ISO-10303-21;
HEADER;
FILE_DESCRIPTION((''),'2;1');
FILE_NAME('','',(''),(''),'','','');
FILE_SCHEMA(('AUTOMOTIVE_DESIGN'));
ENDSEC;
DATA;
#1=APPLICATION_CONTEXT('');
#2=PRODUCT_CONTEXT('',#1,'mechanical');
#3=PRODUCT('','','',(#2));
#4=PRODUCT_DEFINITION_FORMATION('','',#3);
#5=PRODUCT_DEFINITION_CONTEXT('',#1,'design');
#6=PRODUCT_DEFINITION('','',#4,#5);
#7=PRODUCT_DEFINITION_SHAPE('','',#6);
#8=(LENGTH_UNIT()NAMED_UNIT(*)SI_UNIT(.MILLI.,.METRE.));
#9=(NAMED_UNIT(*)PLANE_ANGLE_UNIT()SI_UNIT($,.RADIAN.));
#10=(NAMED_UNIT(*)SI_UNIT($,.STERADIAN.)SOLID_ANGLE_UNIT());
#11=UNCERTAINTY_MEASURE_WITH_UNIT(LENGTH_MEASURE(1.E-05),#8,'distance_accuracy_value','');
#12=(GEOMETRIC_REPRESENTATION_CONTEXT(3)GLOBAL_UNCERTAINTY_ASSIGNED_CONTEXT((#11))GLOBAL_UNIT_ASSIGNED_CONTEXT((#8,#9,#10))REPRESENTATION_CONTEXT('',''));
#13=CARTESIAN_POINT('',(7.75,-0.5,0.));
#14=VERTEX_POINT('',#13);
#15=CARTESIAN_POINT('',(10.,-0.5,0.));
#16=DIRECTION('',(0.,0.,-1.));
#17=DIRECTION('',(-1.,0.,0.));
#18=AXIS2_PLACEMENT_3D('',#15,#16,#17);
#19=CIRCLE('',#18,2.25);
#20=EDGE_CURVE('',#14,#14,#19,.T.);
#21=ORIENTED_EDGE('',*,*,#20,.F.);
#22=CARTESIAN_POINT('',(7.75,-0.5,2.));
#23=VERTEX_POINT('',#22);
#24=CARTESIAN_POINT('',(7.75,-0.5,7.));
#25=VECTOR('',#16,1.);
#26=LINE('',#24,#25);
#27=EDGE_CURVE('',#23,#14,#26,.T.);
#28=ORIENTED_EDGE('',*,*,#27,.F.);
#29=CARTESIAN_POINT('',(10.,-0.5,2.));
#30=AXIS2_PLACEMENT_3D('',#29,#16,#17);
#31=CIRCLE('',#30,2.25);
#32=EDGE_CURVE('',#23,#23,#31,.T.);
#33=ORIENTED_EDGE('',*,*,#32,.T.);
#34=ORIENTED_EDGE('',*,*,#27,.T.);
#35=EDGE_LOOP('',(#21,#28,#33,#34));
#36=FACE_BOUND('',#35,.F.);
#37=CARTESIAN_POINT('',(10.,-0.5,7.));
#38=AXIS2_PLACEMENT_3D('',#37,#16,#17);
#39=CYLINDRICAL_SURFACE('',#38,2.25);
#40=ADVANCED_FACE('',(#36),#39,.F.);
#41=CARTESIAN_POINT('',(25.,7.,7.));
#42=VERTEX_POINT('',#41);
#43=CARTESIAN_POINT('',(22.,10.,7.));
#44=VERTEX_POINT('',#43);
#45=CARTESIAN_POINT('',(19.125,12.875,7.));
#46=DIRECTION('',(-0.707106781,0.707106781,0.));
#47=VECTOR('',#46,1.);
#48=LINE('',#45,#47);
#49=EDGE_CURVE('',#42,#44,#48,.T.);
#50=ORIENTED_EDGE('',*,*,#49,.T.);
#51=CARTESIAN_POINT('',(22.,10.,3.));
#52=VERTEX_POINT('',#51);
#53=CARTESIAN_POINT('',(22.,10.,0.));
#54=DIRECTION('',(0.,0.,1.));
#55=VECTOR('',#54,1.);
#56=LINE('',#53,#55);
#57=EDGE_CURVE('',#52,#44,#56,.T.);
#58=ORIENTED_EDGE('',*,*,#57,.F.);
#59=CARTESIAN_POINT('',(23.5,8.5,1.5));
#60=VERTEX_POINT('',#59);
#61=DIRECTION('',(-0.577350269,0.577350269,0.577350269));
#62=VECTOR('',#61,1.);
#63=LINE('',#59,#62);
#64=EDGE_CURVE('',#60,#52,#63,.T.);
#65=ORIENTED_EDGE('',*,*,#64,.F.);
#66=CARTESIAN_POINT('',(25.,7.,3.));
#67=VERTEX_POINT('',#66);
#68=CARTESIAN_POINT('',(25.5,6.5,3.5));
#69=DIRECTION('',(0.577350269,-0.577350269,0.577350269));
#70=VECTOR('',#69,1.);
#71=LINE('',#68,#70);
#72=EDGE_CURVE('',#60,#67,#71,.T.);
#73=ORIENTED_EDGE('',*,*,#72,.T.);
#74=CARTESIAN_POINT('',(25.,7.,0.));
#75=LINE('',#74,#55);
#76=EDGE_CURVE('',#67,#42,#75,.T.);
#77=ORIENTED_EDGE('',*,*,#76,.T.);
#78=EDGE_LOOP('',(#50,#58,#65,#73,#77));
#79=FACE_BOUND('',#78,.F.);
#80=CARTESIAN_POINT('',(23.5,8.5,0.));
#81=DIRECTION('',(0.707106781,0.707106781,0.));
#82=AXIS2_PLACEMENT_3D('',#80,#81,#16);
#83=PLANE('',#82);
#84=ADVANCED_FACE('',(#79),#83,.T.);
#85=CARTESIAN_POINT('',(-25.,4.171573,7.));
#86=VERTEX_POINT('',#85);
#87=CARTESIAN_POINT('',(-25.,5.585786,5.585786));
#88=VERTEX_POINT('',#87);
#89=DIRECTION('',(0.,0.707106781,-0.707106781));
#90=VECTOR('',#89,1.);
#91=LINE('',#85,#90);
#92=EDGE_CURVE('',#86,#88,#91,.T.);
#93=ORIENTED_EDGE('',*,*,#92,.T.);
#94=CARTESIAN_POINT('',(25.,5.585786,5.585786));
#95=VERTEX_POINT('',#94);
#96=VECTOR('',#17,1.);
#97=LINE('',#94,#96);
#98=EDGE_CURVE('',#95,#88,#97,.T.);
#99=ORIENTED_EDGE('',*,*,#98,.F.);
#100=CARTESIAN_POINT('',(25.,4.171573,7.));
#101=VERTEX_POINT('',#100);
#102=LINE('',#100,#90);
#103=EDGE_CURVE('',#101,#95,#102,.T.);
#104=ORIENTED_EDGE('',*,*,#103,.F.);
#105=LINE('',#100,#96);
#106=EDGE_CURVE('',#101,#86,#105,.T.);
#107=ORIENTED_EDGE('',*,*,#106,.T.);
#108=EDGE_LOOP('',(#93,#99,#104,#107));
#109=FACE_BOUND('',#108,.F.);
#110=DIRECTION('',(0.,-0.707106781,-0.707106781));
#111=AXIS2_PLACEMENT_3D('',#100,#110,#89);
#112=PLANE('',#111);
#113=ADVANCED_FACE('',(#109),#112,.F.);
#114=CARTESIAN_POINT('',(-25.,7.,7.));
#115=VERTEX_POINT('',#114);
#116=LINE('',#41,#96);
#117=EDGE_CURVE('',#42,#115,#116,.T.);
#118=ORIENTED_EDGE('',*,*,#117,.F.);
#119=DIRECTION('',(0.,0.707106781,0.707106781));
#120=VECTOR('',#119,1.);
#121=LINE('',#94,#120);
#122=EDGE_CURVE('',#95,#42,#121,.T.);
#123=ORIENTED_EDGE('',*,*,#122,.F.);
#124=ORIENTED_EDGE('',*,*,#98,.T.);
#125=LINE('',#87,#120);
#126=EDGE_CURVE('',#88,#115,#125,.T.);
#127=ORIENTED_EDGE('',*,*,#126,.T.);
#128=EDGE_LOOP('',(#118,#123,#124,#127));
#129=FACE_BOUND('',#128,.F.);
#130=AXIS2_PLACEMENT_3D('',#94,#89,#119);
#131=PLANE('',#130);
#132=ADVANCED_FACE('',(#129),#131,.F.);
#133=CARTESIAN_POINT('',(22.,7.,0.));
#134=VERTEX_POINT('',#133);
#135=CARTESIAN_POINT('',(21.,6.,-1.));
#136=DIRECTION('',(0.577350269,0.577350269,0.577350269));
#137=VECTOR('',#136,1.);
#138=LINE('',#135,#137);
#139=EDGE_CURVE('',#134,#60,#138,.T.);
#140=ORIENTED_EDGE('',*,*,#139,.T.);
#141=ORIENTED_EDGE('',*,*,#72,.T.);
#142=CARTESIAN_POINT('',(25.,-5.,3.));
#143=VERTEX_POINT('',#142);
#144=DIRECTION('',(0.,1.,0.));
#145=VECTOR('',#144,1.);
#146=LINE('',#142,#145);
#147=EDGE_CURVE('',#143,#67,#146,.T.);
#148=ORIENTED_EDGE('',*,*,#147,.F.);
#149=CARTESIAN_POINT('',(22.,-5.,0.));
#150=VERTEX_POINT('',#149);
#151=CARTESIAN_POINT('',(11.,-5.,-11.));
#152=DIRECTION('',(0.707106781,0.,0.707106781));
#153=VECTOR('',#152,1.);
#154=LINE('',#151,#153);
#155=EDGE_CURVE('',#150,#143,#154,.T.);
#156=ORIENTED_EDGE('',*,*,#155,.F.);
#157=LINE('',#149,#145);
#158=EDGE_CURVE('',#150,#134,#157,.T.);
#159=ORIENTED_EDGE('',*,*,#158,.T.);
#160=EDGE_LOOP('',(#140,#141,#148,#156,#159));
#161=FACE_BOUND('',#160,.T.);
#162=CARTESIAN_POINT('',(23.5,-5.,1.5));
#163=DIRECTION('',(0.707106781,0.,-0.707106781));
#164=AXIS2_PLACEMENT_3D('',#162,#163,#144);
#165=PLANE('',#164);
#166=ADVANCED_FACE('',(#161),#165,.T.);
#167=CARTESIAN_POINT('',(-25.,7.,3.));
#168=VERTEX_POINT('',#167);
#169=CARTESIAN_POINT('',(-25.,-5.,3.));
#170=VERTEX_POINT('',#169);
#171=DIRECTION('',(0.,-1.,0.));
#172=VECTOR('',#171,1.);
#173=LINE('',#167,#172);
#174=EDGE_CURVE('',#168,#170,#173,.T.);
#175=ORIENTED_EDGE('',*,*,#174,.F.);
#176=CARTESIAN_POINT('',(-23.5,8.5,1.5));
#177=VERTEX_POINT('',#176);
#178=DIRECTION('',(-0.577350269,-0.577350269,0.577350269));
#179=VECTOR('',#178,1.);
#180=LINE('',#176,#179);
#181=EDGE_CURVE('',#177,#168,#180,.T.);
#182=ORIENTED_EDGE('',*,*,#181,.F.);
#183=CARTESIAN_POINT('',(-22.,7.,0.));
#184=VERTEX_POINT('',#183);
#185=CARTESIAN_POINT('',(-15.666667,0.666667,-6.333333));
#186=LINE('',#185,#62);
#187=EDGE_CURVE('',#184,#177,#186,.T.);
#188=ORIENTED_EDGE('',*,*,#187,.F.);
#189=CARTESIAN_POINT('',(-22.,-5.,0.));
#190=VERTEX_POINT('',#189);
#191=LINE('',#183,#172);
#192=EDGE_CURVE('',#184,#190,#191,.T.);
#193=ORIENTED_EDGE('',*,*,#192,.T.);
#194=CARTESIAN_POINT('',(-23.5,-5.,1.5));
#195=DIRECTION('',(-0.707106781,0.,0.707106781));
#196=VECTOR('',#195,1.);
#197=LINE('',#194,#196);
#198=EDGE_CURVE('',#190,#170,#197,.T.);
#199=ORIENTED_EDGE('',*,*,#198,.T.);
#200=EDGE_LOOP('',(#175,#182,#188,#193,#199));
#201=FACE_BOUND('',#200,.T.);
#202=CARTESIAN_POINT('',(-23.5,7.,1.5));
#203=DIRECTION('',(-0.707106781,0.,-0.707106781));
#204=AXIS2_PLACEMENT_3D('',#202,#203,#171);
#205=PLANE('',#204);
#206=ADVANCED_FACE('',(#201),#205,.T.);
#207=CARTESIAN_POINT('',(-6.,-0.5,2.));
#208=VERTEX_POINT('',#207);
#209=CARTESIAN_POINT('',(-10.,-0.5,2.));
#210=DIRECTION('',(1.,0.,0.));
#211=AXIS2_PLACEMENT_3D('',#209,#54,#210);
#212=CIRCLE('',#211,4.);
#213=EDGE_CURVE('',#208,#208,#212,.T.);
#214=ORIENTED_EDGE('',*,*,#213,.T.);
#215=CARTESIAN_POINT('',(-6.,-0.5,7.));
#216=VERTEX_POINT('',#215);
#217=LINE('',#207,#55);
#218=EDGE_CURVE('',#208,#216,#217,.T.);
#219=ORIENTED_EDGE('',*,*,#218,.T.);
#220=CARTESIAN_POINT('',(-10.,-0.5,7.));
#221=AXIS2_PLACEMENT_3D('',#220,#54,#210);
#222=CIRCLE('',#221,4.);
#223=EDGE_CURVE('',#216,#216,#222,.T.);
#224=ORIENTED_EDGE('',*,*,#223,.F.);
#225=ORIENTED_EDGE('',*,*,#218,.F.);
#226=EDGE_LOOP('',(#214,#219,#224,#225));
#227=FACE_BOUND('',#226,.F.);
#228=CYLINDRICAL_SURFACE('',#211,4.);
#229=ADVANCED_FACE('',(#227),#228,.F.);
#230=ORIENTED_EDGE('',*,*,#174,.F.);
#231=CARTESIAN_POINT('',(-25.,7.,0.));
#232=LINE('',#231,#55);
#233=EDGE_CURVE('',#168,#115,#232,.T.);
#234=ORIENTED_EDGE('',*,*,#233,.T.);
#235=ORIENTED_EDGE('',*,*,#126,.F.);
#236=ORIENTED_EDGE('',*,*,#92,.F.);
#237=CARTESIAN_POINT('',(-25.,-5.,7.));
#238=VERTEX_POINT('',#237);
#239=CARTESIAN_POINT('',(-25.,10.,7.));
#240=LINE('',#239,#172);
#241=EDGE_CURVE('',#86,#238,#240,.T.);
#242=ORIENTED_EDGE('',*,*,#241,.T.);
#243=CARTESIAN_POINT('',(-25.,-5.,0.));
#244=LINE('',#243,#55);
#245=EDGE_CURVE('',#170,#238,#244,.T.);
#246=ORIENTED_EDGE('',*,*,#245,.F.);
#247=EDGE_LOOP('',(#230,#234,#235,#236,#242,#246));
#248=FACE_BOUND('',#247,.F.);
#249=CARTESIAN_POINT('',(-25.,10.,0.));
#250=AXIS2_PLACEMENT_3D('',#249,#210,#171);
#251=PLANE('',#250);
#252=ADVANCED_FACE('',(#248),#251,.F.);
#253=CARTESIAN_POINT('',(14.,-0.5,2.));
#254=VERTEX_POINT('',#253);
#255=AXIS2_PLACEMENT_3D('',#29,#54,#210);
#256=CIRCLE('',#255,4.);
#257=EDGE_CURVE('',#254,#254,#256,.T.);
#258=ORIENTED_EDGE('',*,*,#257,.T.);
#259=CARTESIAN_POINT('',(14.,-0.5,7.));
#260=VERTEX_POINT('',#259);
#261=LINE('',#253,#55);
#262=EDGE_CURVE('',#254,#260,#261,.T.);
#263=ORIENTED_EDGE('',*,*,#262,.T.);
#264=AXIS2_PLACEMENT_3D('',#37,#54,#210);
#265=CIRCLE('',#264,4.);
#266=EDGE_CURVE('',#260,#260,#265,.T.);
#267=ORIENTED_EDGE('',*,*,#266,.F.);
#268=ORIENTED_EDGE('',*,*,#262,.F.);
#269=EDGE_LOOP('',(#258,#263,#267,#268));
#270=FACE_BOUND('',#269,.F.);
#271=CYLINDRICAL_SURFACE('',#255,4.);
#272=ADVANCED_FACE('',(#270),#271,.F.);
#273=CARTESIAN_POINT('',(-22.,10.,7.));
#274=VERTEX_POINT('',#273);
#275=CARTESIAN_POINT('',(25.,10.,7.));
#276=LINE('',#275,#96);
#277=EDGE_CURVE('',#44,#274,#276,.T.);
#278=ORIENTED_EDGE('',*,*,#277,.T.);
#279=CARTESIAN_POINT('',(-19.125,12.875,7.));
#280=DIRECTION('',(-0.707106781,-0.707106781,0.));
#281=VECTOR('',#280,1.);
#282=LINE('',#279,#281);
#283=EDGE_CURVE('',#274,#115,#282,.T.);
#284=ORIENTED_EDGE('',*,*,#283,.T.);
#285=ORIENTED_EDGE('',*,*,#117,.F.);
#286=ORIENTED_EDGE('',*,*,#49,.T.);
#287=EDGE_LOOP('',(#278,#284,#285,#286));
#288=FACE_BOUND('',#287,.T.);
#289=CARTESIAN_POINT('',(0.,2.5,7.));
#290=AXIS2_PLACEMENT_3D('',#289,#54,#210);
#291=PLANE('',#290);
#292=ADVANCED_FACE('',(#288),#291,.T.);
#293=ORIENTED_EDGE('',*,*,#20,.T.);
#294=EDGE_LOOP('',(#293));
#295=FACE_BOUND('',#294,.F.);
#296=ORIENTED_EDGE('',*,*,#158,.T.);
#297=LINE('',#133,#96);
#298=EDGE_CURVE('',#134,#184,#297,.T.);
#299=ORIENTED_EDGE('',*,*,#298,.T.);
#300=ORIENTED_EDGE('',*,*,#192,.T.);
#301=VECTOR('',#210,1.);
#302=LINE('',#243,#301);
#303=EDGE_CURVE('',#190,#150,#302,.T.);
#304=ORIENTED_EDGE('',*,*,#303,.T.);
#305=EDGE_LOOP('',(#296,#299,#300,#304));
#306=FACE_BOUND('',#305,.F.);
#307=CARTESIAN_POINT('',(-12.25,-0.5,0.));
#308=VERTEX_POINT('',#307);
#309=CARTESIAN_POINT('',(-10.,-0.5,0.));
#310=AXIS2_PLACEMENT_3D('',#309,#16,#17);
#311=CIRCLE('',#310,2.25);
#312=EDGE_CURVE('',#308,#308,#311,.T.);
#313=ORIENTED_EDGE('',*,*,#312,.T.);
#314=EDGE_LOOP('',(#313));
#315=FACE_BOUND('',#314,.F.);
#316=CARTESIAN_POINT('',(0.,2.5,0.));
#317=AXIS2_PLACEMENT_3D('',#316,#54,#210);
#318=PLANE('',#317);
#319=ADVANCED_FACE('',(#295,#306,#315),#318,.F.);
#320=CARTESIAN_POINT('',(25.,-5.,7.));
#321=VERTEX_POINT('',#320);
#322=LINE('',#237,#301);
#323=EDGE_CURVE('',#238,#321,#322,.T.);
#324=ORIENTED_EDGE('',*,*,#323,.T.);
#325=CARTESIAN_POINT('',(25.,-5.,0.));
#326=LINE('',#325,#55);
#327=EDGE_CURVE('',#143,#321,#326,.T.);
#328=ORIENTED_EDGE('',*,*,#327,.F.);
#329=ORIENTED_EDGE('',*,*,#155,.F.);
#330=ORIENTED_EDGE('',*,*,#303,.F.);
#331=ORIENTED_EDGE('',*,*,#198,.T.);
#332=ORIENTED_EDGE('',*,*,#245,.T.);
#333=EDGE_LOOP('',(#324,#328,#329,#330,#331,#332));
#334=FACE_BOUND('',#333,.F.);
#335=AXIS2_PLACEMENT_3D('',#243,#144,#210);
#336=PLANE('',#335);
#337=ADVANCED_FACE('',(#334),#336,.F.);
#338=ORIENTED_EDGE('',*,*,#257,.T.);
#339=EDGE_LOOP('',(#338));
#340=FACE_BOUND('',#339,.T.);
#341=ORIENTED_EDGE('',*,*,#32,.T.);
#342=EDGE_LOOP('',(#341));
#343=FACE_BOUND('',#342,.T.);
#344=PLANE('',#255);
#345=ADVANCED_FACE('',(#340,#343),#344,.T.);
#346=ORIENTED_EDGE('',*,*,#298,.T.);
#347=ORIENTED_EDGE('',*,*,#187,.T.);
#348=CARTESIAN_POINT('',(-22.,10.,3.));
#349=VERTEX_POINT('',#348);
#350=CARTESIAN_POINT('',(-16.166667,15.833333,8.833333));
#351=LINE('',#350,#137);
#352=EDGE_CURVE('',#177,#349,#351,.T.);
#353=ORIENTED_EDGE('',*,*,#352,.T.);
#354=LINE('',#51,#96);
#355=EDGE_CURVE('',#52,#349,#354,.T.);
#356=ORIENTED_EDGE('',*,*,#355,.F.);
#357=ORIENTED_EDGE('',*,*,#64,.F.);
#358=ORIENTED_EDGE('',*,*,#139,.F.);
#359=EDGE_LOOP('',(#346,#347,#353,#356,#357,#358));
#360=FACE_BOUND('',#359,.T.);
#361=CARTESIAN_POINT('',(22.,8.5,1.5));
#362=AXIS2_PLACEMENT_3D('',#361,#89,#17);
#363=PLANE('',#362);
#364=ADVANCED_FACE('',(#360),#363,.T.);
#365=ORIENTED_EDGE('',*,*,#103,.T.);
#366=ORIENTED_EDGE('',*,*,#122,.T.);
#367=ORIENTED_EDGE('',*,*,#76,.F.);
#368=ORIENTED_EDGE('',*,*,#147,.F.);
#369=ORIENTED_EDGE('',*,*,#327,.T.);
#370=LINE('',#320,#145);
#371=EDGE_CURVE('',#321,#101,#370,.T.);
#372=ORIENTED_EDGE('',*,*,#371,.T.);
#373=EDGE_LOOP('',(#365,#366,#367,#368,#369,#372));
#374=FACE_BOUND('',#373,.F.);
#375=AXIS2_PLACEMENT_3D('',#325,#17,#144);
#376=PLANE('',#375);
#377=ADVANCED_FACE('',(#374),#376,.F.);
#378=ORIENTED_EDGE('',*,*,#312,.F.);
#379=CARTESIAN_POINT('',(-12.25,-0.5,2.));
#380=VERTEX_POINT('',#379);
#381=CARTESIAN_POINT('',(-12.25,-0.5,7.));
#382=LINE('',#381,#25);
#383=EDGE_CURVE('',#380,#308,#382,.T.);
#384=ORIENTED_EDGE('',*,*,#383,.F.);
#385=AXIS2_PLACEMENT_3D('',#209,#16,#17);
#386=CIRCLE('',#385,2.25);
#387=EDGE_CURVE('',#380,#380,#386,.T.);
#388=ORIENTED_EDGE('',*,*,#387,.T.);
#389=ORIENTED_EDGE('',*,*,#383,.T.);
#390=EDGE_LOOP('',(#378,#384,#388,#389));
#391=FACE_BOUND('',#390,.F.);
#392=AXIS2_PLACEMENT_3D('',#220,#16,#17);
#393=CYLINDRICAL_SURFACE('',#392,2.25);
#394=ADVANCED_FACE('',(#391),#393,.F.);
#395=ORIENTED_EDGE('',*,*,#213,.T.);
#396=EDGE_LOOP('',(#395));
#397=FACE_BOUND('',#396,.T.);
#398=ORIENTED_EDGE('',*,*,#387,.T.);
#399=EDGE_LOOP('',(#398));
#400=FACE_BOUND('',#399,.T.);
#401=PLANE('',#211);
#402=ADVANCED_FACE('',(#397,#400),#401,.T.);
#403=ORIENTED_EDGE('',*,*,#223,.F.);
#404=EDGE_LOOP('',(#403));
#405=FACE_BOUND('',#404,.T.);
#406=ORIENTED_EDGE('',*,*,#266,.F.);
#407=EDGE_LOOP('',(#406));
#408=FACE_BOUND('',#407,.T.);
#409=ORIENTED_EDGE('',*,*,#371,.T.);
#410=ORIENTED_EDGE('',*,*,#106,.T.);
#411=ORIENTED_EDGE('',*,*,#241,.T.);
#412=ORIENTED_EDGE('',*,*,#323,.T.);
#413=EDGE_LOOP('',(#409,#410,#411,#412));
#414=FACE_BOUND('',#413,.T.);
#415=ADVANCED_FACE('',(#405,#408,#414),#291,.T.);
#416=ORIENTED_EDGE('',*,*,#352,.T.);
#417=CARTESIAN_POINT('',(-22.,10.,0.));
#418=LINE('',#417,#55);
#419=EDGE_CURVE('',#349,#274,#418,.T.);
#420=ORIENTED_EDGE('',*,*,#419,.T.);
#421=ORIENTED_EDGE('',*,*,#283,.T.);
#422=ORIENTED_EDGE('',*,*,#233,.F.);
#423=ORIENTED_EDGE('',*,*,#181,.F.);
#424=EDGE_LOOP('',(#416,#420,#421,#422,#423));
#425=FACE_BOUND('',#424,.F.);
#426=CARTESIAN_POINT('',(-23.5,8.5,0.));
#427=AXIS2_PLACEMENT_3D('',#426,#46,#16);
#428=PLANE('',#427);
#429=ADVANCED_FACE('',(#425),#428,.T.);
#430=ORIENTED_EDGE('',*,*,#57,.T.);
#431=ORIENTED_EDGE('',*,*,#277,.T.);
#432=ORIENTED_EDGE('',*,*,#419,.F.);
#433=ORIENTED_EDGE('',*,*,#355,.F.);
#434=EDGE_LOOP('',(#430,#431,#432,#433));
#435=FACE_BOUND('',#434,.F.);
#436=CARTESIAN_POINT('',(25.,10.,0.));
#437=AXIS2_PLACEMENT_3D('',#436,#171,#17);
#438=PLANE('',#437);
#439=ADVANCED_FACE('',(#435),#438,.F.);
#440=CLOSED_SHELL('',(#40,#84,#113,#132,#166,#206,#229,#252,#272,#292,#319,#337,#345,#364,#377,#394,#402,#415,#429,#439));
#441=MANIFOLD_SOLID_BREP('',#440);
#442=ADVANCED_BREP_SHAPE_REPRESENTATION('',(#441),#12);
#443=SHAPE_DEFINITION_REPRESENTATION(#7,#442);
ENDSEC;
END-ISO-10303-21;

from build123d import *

# Parameters (mm, degrees)
F1_DEPTH       = 7
F3_D           = 4.5
F3_CBORE_D     = 8
F3_CBORE_DEPTH = 5
F4_SIZE        = 3
F5_SIZE        = 3
F7_DEPTH       = 50


with BuildPart() as f1:
    # F0 (on Top) → F1 (new body)
    with BuildSketch(Plane.XY):
        Polygon((-20, -5), (20, -5), (25, -5), (25, 10), (20, 10), (-20, 10), (-25, 10), (-25, -5), align=None)
    extrude(amount=F1_DEPTH)

    # F3 (through all)
    with Locations(Plane.XY.offset(7)):
        with Locations((-10, -0.5), (10, -0.5)):
            CounterBoreHole(F3_D / 2, F3_CBORE_D / 2, F3_CBORE_DEPTH)

    # F4
    f4_edges = [f1.edges().sort_by_distance(p)[0] for p in [
        (-25, 10, 3.5),
        (25, 10, 3.5),
    ]]
    chamfer(f4_edges, length=F4_SIZE)

    # F5 (call 1 of 3: OpenCascade refuses the feature's edges together)
    f5_edges = [f1.edges().sort_by_distance(p)[0] for p in [
        (0, 10, 0),
    ]]
    chamfer(f5_edges, length=F5_SIZE)

    # F5#2 (call 2 of 3)
    f5_2_edges = [f1.edges().sort_by_distance(p)[0] for p in [
        (25, 1, 0),
    ]]
    chamfer(f5_2_edges, length=F5_SIZE)

    # F5#3 (call 3 of 3)
    f5_3_edges = [f1.edges().sort_by_distance(p)[0] for p in [
        (-25, 1, 0),
    ]]
    chamfer(f5_3_edges, length=F5_SIZE)

    # F6 (on face) → F7 (cut)
    with BuildSketch(Plane.YZ.offset(25)):
        Polygon((5.5857864376, 5.5857864376), (7, 7), (4.1715728753, 7), align=None)
    extrude(amount=-F7_DEPTH, mode=Mode.SUBTRACT)


solid = f1.part
